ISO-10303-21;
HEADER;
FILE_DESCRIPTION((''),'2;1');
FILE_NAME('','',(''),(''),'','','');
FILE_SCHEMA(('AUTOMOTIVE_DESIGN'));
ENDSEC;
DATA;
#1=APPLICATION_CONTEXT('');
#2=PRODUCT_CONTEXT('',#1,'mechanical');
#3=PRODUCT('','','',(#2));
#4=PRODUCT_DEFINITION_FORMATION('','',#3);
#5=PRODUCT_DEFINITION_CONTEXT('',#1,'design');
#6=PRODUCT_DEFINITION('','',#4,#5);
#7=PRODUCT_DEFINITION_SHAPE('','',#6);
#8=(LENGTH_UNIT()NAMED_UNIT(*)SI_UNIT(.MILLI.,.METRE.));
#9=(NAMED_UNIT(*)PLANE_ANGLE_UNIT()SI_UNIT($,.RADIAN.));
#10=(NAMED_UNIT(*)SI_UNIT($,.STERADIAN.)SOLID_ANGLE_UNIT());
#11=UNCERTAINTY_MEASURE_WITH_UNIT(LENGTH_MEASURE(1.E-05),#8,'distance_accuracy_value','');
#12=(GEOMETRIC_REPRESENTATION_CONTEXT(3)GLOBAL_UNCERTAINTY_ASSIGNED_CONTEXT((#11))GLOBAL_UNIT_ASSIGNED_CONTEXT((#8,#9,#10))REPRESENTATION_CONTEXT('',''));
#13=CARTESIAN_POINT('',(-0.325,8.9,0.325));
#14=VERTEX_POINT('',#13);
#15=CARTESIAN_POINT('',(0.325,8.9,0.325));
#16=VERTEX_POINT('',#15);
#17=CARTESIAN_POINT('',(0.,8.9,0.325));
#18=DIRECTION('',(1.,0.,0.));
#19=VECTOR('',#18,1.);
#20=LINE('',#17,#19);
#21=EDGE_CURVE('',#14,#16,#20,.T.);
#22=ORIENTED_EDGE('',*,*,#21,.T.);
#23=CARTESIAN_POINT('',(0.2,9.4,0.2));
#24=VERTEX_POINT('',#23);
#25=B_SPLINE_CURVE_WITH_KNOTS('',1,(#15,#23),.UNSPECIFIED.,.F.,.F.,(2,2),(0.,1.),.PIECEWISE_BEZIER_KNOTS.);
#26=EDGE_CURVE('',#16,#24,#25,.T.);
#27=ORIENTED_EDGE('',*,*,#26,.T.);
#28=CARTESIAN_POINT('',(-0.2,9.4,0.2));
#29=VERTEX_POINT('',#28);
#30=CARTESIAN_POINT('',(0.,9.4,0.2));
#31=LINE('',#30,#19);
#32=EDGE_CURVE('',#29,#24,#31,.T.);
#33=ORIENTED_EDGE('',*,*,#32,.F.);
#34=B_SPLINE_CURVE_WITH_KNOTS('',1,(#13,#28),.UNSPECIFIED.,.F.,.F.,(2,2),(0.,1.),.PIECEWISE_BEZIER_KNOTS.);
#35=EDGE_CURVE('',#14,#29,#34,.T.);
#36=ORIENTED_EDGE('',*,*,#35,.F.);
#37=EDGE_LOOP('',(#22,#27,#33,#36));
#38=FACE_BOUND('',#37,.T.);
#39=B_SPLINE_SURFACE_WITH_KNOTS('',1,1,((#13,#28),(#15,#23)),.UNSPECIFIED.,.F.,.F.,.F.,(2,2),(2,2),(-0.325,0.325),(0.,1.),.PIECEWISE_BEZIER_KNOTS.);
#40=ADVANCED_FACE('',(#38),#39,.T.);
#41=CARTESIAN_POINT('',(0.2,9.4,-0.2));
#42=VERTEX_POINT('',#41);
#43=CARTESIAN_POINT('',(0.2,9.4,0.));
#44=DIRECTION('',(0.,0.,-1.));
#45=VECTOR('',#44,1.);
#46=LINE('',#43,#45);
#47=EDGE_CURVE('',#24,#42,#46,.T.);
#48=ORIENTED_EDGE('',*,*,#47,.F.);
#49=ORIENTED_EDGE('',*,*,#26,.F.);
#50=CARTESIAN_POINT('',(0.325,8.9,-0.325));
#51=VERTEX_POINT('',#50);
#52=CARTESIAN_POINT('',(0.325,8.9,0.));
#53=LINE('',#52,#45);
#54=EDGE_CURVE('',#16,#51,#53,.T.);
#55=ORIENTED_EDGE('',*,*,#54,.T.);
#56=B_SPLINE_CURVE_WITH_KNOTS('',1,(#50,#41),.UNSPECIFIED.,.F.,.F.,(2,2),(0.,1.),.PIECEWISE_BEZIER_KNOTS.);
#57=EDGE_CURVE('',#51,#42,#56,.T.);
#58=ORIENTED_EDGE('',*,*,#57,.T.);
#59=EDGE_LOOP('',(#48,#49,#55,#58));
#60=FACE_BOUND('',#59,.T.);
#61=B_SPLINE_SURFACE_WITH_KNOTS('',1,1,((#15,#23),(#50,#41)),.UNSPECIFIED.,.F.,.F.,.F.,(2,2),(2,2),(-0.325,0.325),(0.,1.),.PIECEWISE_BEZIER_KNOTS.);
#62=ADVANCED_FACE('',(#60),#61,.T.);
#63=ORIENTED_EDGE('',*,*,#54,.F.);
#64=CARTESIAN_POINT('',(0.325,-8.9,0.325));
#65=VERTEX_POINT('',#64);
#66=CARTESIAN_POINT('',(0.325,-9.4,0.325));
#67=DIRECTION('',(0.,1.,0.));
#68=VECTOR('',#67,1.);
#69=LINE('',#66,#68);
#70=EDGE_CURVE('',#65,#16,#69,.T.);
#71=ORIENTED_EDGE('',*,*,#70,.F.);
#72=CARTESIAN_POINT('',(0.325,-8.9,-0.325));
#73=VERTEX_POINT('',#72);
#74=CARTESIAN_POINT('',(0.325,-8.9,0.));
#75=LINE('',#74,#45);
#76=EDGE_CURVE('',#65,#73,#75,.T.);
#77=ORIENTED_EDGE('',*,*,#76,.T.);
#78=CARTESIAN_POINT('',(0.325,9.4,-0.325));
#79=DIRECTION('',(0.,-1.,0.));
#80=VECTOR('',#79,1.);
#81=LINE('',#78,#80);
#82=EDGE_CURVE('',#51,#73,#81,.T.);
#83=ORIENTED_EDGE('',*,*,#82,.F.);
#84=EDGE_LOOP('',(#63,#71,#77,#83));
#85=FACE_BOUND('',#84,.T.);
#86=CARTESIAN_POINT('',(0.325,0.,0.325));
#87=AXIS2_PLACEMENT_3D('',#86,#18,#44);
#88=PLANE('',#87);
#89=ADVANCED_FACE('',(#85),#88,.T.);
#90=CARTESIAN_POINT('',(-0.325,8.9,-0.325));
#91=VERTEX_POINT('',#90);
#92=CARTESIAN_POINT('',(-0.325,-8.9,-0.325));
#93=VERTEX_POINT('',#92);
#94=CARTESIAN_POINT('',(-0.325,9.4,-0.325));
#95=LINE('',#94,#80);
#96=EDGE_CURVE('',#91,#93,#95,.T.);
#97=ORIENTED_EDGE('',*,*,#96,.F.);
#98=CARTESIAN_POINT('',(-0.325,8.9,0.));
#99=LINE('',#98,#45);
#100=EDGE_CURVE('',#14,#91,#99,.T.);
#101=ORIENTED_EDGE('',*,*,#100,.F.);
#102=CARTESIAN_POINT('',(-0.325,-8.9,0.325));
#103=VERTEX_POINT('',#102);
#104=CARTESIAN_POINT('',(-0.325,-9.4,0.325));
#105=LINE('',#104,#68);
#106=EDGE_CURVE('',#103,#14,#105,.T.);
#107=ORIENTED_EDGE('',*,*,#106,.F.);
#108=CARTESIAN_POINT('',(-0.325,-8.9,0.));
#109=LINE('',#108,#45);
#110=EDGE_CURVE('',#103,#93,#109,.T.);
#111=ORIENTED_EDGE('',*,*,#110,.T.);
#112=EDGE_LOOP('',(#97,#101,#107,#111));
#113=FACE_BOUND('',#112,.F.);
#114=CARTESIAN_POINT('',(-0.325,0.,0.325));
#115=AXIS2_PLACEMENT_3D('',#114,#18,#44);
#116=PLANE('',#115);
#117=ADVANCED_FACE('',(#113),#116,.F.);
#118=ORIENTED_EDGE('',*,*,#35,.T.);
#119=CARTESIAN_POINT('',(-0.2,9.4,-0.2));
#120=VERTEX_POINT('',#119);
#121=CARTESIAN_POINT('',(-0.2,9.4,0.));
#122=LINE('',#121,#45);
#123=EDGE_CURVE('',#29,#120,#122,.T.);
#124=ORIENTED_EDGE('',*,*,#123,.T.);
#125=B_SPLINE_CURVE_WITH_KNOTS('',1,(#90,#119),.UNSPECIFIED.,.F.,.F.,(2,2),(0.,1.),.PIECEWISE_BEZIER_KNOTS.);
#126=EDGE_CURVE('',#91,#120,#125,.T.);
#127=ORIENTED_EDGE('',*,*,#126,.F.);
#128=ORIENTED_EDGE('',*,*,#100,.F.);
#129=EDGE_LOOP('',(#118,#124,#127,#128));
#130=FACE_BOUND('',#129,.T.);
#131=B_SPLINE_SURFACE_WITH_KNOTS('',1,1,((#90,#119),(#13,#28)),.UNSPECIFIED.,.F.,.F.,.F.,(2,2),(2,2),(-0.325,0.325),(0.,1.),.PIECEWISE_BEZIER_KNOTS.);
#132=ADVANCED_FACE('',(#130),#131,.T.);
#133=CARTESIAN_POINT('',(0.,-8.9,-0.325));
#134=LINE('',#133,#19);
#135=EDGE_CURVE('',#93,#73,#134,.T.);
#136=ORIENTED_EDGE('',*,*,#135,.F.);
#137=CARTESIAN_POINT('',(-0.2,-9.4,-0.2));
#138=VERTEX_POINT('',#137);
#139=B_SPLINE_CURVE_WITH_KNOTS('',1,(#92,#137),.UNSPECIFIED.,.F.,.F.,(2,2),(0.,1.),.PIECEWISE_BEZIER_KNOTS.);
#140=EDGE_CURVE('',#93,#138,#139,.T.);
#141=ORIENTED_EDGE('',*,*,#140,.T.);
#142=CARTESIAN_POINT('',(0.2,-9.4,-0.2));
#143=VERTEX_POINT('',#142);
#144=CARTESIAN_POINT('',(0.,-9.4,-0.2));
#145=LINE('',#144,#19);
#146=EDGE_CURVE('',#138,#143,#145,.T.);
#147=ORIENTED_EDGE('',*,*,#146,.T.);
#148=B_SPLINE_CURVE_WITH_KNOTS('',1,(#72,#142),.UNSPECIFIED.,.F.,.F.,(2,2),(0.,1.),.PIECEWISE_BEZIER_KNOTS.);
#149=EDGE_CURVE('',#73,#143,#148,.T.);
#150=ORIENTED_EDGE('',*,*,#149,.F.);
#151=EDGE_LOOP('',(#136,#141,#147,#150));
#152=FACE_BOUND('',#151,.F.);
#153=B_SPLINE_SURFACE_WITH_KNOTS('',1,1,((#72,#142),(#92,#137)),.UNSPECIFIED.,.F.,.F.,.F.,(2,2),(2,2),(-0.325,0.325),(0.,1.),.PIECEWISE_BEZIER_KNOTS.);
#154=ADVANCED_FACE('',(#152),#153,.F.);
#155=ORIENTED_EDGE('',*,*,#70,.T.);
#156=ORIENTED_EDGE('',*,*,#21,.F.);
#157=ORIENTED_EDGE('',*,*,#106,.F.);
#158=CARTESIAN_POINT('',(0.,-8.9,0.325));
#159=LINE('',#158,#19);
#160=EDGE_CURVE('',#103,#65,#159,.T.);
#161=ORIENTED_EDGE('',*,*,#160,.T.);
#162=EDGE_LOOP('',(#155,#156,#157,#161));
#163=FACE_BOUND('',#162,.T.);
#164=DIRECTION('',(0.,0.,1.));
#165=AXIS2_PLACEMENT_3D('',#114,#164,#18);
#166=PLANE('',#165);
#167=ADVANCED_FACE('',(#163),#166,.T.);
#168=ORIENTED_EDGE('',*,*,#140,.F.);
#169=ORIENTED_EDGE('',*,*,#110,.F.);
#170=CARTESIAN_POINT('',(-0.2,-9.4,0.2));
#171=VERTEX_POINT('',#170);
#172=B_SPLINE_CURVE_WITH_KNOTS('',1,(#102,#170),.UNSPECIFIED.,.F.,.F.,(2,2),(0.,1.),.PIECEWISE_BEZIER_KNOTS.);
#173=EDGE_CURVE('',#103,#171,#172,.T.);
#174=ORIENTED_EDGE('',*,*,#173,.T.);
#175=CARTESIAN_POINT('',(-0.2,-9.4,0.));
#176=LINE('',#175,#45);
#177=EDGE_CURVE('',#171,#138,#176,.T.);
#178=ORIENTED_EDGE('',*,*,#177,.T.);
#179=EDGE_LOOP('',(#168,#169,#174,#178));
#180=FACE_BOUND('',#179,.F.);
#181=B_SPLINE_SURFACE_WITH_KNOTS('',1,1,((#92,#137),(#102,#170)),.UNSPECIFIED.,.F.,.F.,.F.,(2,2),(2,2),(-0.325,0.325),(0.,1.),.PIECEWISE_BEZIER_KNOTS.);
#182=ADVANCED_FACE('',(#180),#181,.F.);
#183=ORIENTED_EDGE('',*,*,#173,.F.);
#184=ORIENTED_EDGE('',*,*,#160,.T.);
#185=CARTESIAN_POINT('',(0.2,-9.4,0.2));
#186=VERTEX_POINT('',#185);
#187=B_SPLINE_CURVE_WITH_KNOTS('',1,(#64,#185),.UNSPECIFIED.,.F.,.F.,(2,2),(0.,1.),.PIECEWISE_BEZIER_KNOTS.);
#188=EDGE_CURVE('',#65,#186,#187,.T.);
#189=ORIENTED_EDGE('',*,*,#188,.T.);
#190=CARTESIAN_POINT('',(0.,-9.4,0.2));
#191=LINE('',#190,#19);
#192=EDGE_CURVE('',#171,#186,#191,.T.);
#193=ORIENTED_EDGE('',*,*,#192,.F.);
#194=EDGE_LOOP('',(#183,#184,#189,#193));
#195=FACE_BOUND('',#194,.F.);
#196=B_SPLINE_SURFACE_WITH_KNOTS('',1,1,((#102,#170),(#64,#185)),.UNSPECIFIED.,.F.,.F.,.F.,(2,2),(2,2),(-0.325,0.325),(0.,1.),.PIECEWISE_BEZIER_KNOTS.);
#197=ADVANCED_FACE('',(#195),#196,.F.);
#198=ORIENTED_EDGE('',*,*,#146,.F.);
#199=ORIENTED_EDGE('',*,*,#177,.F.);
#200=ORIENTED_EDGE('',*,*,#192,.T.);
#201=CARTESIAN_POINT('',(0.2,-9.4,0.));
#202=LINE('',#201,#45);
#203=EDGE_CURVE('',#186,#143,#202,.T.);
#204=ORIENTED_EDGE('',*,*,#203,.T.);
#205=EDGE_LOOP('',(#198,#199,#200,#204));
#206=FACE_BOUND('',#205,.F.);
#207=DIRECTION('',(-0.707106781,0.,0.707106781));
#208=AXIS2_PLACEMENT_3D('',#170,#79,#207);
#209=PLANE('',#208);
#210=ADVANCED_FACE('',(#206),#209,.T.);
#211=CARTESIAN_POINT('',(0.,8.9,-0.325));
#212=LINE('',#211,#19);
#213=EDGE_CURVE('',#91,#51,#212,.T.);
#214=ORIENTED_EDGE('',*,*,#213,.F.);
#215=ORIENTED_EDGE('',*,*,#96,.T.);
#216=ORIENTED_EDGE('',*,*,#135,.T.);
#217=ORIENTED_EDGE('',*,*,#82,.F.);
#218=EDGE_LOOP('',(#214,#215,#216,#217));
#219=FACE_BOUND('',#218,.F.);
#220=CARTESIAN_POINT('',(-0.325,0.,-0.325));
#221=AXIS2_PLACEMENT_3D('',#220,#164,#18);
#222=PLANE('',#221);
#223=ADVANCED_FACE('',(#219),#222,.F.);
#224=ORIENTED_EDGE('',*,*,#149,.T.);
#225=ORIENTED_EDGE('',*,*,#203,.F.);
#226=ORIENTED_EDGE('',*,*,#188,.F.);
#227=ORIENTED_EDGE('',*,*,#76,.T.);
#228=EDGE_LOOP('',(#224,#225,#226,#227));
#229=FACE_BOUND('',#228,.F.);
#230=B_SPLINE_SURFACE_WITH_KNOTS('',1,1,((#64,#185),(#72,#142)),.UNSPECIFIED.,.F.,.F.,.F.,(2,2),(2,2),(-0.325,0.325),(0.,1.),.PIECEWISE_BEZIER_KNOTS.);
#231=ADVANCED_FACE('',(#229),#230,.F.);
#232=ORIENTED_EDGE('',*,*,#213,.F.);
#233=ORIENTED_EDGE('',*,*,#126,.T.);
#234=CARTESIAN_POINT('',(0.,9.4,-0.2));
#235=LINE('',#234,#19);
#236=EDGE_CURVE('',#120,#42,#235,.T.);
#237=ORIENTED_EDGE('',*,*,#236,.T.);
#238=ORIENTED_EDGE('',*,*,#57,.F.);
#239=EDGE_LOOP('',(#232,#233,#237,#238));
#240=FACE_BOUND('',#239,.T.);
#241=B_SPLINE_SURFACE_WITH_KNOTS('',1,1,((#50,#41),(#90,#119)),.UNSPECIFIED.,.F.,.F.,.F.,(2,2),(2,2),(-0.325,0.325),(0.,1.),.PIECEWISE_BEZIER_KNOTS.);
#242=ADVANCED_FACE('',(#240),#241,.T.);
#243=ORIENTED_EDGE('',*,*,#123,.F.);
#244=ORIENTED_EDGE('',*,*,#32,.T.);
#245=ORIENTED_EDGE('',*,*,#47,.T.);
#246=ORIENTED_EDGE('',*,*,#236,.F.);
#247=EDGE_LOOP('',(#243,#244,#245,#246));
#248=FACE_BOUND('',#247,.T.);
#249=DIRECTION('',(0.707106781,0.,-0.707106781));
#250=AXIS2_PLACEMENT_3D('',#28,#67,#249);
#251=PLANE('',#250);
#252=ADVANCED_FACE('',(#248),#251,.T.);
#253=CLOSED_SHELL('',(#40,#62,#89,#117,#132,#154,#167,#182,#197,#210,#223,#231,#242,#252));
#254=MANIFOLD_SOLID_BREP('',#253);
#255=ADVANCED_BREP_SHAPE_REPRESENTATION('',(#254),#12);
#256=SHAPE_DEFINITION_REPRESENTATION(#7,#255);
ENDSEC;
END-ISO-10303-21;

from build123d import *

# Parameters (mm, degrees)
SKETCH1_W           = 0.65
SKETCH1_H           = 0.65
BOSS_EXTRUDE1_DEPTH = 9.4
CUT_EXTRUDE1_REACH  = 20.306
SKETCH3_W           = 0.65
SKETCH3_H           = 0.65


with BuildPart() as part:
    # Sketch1 → Boss-Extrude1 (new, symmetric)
    with BuildSketch(Plane(origin=(0, 0, 0), x_dir=(1, 0, 0), z_dir=(0, 1, 0))):
        Rectangle(SKETCH1_W, SKETCH1_H)
    extrude(amount=BOSS_EXTRUDE1_DEPTH, both=True)

    # Sketch3 → Cut-Extrude1 (cut, up to next)
    with BuildSketch(Plane(origin=(0, 8.9, 0), x_dir=(1, 0, 0), z_dir=(0, 1, 0)), mode=Mode.PRIVATE) as cut_extrude1_sk1:
        Rectangle(SKETCH3_W, SKETCH3_H)
    cut_extrude1_tool1 = extrude(cut_extrude1_sk1.sketch, amount=CUT_EXTRUDE1_REACH, mode=Mode.PRIVATE) & part.part
    cut_extrude1 = cut_extrude1_tool1.solids().sort_by_distance((0, 8.9, 0))[0]
    add(cut_extrude1, mode=Mode.SUBTRACT)

    # Sketch3<3> → Loft1 section 0
    with BuildSketch(Plane(origin=(0, 8.9, 0), x_dir=(1, 0, 0), z_dir=(0, 1, 0))):
        with BuildLine():
            Line((0.325, -0.325), (-0.325, -0.325))
            Line((-0.325, -0.325), (-0.325, 0.325))
            Line((-0.325, 0.325), (0.325, 0.325))
            Line((0.325, 0.325), (0.325, -0.325))
        make_face()
    # Sketch2 → Loft1 section 1
    with BuildSketch(Plane(origin=(0, 9.4, 0), x_dir=(1, 0, 0), z_dir=(0, 1, 0))):
        with BuildLine():
            Line((-0.2, -0.2), (0.2, -0.2))
            Line((0.2, -0.2), (0.2, 0.2))
            Line((0.2, 0.2), (-0.2, 0.2))
            Line((-0.2, 0.2), (-0.2, -0.2))
        make_face()
    loft1 = loft()

    # Mirror1: Cut-Extrude1, Loft1 across plane
    add(cut_extrude1.mirror(Plane.ZX), mode=Mode.SUBTRACT)
    add(loft1.mirror(Plane.ZX))


solid = part.part
